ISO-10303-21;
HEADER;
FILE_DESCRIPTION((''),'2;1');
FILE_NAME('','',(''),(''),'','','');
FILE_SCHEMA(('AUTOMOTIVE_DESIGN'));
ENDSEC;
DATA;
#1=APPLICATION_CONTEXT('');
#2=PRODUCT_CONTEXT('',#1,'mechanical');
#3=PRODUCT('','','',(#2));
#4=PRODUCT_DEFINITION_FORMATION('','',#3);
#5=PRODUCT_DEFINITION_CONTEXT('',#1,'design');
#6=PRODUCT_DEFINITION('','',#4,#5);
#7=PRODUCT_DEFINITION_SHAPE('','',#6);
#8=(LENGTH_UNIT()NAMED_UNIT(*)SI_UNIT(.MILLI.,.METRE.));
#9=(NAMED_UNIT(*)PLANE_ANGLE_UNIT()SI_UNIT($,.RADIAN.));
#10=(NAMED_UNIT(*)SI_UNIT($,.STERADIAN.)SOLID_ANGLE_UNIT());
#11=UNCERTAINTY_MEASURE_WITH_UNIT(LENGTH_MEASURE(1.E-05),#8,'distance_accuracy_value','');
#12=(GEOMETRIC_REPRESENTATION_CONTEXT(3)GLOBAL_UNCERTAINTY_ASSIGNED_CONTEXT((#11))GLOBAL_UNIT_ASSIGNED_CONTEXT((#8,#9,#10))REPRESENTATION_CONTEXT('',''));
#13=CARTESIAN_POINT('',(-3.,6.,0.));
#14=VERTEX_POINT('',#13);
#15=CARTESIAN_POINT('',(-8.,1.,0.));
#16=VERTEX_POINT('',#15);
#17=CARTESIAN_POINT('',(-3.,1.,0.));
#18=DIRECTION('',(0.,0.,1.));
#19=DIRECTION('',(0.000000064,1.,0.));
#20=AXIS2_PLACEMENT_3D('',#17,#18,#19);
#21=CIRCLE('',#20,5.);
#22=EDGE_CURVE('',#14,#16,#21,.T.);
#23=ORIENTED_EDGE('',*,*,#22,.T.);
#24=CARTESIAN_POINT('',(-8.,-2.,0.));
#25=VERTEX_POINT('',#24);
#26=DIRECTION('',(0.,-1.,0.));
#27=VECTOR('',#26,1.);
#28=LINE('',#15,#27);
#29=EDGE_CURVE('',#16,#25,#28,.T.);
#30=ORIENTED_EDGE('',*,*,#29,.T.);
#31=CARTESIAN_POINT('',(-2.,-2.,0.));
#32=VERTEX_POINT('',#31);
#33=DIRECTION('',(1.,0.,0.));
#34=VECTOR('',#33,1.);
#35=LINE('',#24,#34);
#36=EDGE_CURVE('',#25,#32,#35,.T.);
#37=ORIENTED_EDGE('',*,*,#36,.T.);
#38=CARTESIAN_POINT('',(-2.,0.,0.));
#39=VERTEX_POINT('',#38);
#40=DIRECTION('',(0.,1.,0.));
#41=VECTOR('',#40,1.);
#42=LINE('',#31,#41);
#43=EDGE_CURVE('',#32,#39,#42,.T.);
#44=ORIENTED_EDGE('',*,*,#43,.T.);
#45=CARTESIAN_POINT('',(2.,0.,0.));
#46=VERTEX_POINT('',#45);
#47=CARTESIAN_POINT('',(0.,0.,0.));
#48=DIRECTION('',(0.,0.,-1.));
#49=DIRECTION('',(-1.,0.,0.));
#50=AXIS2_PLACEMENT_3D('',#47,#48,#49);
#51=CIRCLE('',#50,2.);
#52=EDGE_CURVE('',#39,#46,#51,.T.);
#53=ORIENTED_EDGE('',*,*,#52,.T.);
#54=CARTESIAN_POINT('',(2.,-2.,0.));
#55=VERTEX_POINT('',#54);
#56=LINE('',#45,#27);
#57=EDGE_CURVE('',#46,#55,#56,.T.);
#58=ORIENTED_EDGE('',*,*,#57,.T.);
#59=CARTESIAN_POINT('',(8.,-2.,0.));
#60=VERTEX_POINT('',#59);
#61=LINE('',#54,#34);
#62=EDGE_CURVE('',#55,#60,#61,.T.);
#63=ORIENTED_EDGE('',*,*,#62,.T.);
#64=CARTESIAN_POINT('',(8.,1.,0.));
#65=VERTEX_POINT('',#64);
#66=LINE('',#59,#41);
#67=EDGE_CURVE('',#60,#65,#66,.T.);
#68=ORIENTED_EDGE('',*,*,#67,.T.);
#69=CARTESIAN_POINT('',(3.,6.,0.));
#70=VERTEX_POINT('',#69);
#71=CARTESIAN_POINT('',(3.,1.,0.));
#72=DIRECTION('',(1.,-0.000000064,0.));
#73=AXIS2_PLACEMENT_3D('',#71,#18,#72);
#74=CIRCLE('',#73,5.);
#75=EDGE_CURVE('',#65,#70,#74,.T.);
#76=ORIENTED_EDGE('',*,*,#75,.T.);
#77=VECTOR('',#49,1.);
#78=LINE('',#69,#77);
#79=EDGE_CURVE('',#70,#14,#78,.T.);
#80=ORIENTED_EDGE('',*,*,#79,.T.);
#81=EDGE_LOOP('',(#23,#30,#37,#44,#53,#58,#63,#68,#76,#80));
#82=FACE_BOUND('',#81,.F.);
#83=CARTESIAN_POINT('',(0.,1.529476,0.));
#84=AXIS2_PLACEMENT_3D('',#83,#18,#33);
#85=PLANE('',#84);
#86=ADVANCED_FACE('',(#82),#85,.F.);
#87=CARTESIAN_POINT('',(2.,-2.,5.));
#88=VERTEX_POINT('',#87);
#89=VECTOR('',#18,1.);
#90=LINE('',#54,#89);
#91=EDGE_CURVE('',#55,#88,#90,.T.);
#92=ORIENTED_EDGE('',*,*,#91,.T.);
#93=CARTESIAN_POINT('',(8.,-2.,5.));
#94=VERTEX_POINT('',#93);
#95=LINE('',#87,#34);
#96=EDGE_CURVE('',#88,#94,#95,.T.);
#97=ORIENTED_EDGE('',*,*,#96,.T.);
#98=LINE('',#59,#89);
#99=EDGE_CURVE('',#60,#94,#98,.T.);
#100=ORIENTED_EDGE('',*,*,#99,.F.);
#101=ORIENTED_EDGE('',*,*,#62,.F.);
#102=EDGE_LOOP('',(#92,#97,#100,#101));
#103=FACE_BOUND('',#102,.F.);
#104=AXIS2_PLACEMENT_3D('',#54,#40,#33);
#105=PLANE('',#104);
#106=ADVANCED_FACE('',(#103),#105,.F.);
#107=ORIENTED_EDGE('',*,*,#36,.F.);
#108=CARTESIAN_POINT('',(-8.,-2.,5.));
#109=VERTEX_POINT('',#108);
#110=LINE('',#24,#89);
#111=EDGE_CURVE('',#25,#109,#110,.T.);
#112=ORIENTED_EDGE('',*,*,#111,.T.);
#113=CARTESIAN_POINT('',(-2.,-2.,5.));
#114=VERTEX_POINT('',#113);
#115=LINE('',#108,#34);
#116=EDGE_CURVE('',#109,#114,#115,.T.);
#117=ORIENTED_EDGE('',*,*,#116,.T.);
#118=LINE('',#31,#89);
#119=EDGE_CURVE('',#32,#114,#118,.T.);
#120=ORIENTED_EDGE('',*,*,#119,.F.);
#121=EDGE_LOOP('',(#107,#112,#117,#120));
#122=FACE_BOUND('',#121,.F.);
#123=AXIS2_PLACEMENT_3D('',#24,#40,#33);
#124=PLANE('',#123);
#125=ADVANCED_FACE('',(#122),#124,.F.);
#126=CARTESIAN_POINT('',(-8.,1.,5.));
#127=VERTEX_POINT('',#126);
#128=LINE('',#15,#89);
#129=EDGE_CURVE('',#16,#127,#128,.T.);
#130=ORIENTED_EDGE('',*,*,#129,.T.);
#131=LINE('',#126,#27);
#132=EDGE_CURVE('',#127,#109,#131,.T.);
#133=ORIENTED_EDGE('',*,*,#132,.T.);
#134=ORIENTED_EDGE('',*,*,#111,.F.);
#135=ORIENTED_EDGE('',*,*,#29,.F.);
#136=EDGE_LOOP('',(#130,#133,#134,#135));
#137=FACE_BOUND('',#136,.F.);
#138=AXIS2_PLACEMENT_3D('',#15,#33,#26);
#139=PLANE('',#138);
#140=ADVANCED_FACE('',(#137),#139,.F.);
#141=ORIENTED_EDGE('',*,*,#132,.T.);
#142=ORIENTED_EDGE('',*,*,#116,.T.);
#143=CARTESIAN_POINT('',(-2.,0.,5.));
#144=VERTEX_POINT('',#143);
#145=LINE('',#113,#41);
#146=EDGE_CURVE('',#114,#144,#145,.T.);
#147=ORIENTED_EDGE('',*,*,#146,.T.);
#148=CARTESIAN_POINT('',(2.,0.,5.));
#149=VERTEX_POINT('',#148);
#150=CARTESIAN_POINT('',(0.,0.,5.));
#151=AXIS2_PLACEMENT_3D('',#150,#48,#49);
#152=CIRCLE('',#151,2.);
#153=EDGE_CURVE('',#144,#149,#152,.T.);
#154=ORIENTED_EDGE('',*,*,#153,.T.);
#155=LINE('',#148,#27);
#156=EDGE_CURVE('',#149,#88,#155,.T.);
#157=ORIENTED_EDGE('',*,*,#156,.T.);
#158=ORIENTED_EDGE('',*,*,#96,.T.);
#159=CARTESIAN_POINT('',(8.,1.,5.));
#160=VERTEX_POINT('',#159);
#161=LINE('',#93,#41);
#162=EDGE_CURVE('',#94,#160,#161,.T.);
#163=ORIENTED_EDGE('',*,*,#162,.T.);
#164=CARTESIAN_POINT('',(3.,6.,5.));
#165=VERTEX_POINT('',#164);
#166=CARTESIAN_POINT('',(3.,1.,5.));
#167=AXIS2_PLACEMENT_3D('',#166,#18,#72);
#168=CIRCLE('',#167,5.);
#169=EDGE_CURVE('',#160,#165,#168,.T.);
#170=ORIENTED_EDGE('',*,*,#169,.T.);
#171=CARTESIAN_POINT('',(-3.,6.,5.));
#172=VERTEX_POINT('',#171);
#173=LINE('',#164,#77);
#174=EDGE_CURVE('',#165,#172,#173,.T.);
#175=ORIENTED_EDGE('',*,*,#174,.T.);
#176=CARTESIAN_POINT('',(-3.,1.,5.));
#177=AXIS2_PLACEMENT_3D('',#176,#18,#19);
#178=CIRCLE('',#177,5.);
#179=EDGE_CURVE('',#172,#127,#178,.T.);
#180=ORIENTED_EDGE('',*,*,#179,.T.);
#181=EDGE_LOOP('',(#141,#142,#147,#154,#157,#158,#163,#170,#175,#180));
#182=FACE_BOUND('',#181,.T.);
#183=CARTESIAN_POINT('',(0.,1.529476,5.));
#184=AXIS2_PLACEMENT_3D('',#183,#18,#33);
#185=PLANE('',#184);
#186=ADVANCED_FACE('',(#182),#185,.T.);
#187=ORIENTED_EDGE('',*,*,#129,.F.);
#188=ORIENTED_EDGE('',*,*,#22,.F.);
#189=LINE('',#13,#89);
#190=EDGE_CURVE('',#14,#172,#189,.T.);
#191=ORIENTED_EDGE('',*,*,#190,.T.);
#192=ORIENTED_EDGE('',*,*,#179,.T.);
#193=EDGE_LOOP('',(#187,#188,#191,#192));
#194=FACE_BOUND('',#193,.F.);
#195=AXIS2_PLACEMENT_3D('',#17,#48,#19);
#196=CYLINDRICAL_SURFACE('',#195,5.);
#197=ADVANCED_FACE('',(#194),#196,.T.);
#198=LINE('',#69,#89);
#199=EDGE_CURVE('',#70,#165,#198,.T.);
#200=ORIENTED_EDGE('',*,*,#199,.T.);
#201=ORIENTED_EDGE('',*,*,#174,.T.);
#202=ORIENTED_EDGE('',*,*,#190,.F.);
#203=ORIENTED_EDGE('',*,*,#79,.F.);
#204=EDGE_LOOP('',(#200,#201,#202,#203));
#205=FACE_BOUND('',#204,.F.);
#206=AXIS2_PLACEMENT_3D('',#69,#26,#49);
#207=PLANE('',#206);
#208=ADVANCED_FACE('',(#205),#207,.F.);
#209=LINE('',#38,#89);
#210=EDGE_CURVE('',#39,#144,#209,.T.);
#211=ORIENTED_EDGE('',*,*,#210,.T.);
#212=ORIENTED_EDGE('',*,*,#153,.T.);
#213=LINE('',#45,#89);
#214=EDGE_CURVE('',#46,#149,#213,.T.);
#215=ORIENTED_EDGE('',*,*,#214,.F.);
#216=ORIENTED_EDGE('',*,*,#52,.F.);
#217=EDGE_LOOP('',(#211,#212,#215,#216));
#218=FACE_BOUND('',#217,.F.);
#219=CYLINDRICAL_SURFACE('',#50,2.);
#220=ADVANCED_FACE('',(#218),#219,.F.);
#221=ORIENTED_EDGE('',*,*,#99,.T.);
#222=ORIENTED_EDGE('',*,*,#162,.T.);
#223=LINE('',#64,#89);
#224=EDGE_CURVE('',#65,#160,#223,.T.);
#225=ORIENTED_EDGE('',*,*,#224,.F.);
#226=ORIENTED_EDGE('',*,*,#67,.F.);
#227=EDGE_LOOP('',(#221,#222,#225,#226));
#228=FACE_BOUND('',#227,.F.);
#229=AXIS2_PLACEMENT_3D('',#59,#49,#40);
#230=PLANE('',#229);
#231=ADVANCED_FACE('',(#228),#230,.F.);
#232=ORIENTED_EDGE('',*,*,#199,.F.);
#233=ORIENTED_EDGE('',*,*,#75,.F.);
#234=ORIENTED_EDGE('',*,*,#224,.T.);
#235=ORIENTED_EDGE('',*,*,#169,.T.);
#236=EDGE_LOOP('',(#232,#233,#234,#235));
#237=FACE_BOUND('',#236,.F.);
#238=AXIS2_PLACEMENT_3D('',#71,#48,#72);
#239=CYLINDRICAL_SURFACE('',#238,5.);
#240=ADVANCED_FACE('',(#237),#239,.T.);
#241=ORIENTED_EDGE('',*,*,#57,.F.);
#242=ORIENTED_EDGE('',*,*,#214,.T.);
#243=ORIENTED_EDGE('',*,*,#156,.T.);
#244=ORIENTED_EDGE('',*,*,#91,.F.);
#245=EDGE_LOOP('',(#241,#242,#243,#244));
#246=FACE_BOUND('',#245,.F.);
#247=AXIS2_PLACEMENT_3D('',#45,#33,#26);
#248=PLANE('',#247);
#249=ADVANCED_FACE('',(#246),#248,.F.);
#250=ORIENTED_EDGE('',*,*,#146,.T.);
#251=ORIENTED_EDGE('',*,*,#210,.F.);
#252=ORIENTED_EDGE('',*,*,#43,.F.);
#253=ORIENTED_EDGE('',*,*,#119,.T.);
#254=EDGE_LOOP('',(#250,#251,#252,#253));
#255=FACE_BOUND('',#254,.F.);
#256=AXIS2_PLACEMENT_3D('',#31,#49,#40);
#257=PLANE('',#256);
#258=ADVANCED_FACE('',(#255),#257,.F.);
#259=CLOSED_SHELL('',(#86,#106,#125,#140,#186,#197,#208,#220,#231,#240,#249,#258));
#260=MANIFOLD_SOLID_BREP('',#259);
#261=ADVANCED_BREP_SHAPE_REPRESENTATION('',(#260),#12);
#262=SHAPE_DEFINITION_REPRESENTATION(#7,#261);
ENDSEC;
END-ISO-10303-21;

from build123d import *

# Parameters (mm, degrees)
F1_DEPTH = 5


with BuildPart() as f1:
    # F0 (on Top) → F1 (new body)
    with BuildSketch(Plane.XY):
        with BuildLine():
            ThreePointArc((-2, 0), (0, 2), (2, 0))
            Line((2, 0), (2, -2))
            Line((2, -2), (8, -2))
            Line((8, -2), (8, 1))
            ThreePointArc((8, 1), (6.535534, 4.535534), (3, 6))
            Line((3, 6), (-3, 6))
            ThreePointArc((-3, 6), (-6.535534, 4.535534), (-8, 1))
            Line((-8, 1), (-8, -2))
            Line((-8, -2), (-2, -2))
            Line((-2, -2), (-2, 0))
        make_face()
    extrude(amount=F1_DEPTH)


solid = f1.part
